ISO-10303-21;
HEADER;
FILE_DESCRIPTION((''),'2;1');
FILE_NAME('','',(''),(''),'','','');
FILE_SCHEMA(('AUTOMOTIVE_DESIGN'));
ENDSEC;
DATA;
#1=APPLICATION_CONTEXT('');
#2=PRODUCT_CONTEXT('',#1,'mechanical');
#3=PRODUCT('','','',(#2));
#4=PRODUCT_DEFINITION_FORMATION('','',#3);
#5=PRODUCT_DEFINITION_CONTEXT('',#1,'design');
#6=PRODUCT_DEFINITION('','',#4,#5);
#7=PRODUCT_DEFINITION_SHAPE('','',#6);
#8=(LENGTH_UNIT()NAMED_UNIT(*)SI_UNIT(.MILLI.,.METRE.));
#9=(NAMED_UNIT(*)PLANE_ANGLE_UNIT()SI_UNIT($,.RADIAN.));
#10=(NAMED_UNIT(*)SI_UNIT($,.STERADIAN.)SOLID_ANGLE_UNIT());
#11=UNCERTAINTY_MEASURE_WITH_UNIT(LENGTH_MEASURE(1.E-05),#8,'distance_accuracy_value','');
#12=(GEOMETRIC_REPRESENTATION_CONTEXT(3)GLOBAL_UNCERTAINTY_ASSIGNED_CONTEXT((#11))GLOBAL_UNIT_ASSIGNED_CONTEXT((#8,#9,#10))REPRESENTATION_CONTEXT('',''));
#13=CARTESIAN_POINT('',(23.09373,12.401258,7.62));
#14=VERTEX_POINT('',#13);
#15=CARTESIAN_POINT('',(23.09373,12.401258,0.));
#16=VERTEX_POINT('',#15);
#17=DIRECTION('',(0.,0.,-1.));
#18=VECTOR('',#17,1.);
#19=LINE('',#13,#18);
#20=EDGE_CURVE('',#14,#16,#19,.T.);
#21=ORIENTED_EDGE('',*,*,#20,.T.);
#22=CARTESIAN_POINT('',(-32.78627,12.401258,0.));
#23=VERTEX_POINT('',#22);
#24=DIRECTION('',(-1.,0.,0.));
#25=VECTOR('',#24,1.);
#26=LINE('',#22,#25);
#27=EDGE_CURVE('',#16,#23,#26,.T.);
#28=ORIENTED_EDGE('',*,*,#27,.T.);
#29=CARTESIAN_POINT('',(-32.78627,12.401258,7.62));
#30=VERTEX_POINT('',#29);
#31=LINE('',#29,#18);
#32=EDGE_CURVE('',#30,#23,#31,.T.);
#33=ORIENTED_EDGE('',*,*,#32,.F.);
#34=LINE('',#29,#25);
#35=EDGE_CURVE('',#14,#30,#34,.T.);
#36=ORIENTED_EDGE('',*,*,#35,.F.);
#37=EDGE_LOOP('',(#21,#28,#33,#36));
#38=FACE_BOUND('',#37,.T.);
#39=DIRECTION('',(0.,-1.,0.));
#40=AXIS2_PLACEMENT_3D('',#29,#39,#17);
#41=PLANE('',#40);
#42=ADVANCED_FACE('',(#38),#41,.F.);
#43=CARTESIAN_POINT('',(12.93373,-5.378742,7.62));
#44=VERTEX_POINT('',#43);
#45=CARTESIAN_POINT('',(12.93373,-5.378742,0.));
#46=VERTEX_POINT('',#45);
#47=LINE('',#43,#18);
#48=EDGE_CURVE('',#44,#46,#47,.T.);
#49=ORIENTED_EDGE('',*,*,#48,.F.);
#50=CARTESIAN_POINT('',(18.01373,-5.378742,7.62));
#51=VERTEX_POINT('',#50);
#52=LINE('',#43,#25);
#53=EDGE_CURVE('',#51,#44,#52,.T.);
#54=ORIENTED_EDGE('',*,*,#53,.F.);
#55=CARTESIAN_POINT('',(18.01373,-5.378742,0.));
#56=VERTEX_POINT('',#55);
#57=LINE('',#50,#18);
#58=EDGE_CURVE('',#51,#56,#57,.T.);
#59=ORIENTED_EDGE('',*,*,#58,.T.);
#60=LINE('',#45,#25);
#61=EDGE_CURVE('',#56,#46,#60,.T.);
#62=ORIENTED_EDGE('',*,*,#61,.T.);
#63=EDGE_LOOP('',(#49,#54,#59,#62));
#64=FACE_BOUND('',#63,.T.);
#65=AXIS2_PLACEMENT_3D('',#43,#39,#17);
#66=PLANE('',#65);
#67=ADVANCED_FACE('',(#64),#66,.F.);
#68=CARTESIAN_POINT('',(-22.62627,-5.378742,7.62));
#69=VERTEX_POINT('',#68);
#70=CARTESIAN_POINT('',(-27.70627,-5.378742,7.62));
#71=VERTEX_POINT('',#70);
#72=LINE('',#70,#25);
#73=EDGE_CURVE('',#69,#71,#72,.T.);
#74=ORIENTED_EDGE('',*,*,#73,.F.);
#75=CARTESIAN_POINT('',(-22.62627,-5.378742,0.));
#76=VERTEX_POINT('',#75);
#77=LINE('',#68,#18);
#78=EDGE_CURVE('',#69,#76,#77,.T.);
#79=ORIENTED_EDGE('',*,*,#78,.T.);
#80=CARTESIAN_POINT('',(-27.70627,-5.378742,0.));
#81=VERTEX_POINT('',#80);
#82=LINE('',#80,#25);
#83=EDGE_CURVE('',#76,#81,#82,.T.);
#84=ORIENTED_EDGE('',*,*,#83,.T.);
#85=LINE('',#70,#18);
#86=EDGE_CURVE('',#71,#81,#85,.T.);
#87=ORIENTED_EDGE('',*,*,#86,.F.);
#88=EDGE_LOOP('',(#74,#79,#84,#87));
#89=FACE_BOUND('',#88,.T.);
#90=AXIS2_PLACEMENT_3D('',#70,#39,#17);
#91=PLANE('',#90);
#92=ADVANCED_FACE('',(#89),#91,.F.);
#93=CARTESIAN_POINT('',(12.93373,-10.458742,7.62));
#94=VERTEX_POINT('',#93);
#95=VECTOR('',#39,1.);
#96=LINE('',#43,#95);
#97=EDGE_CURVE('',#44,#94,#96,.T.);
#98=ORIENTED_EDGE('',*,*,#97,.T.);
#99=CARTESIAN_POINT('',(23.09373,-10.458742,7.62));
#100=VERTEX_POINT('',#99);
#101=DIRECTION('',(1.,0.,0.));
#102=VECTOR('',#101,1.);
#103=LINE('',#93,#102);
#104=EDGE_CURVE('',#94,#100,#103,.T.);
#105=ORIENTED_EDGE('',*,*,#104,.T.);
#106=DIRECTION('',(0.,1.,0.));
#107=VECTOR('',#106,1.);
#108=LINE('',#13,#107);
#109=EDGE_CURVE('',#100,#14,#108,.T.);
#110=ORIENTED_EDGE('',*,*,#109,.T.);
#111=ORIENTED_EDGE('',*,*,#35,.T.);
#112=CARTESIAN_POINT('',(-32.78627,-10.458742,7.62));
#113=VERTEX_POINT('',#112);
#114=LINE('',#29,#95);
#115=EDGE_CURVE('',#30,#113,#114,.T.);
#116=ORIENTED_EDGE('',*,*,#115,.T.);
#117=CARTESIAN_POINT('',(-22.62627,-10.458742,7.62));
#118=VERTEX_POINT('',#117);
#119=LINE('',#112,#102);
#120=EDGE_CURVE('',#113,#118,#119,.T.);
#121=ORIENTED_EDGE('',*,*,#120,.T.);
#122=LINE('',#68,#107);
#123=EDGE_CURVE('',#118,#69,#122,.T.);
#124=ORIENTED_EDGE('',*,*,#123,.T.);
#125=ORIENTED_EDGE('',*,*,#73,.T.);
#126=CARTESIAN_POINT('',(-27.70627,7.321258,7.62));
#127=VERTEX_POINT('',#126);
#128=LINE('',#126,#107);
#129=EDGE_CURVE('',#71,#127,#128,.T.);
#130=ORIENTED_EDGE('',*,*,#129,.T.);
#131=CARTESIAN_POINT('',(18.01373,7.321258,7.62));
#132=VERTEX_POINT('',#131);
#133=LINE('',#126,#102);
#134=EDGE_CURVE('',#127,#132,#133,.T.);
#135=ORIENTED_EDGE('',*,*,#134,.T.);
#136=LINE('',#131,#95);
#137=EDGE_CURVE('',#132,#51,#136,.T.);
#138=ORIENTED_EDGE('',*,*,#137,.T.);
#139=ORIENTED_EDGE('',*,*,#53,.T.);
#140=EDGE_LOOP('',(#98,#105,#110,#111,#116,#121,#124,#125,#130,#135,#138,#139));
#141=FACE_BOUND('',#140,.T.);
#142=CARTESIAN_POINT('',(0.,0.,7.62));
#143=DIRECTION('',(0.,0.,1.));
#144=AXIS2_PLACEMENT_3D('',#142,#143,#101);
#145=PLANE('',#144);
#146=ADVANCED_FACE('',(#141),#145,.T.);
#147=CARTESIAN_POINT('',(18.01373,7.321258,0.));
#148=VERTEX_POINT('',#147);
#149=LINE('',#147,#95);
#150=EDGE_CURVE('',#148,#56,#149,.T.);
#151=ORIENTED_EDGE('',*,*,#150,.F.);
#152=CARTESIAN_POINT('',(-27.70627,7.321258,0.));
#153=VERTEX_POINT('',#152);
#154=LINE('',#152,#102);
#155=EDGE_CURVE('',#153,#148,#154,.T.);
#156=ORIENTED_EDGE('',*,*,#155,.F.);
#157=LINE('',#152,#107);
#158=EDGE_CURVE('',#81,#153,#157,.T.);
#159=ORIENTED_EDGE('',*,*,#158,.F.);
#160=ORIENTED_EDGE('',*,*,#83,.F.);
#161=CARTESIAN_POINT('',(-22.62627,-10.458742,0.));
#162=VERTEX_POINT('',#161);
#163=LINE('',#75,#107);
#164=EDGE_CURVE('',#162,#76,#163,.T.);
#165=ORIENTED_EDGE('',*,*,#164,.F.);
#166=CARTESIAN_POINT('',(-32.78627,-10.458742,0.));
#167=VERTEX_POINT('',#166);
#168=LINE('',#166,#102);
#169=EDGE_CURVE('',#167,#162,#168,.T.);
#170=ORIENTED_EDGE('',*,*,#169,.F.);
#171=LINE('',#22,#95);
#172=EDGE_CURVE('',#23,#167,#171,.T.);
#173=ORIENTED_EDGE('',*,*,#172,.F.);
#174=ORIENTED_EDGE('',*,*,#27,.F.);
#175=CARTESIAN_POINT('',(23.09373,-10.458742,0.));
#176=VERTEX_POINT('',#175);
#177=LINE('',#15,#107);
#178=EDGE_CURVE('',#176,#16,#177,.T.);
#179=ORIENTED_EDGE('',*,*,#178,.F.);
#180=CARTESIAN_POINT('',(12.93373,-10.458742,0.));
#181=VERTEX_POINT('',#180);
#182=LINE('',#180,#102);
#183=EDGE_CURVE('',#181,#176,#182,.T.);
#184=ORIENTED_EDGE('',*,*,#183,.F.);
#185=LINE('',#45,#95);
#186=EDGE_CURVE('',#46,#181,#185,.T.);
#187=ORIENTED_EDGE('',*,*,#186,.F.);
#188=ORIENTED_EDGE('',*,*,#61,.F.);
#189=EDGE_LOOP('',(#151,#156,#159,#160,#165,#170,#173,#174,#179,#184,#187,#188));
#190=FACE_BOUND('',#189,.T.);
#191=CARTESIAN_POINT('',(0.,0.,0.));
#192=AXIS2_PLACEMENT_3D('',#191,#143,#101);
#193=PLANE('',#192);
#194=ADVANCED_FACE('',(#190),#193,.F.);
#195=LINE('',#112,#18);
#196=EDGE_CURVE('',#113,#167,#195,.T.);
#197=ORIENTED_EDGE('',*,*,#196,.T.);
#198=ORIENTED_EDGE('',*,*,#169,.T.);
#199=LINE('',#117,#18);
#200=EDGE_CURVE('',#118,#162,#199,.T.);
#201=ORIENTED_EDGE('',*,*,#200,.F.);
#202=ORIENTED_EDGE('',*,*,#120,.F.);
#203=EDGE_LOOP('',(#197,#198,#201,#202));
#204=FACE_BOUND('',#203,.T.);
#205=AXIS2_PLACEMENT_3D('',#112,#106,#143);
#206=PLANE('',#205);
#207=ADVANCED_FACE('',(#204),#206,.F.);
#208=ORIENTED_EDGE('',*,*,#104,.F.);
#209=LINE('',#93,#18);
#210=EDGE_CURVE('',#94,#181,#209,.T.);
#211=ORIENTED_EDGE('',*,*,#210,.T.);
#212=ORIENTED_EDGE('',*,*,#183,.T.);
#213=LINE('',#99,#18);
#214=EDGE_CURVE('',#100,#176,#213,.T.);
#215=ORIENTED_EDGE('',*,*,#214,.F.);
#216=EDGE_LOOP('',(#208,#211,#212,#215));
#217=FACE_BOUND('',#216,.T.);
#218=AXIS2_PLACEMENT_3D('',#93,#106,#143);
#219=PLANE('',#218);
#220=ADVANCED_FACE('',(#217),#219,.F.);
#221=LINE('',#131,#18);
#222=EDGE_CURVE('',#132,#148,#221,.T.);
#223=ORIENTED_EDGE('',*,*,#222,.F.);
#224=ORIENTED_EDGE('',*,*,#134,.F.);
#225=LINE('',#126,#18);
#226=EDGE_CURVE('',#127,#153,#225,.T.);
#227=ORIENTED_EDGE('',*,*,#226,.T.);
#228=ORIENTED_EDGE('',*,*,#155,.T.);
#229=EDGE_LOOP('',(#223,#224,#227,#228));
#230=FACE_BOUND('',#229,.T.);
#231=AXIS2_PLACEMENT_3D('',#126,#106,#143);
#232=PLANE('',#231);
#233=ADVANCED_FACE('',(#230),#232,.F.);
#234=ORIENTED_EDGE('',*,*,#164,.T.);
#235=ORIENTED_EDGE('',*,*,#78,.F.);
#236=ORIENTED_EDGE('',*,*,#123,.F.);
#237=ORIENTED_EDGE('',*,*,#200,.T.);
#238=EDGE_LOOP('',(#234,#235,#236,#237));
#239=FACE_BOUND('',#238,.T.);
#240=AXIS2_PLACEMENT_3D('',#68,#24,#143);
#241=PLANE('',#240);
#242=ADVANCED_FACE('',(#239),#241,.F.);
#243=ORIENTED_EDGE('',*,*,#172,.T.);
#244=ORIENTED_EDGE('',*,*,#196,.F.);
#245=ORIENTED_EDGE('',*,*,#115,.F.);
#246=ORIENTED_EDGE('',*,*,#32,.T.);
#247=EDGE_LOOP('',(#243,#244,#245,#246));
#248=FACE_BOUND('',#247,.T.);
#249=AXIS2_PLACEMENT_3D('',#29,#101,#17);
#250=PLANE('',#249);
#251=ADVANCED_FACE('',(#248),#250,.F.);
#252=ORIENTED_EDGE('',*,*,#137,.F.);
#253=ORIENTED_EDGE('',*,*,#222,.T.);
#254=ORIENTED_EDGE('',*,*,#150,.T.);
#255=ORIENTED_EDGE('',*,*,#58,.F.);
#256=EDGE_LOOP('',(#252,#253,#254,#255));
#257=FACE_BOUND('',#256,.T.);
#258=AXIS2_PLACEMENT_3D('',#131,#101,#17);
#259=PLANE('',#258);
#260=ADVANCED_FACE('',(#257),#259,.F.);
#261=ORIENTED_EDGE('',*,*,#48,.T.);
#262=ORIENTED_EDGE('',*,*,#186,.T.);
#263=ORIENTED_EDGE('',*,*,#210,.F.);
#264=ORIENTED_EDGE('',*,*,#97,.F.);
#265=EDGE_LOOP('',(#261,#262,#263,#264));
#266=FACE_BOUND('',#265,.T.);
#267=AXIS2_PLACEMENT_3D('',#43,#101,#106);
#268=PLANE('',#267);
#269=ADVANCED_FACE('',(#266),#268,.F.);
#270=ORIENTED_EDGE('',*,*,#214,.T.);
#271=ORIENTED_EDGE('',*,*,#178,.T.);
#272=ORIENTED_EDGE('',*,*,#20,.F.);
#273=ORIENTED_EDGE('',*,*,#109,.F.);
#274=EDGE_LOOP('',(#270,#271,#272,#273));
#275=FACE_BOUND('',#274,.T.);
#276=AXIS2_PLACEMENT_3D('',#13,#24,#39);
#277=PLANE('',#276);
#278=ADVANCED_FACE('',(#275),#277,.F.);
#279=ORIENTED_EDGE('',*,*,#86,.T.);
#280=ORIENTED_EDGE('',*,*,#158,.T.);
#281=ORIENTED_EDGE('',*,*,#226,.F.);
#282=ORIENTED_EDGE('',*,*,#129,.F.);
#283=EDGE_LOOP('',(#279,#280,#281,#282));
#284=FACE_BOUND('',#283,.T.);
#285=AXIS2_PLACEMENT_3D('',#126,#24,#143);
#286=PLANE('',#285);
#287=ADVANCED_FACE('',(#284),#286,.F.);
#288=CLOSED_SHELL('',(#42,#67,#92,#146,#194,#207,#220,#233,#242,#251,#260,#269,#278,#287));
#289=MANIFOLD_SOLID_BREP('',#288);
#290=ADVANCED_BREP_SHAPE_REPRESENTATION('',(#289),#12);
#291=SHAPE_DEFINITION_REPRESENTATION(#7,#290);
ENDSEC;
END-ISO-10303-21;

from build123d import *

# Parameters (mm, degrees)
BOSS_EXTRUDE1_DEPTH = 7.62


with BuildPart() as part:
    # Sketch1 → Boss-Extrude1 (new body)
    with BuildSketch(Plane.XY):
        Polygon((12.933730498, -5.378742175), (12.933730498, -10.458742175), (23.093730498, -10.458742175), (23.093730498, 12.401257825), (-32.786269502, 12.401257825), (-32.786269502, -10.458742175), (-22.626269502, -10.458742175), (-22.626269502, -5.378742175), (-27.706269502, -5.378742175), (-27.706269502, 7.321257825), (18.013730498, 7.321257825), (18.013730498, -5.378742175), align=None)
    extrude(amount=BOSS_EXTRUDE1_DEPTH)


solid = part.part
